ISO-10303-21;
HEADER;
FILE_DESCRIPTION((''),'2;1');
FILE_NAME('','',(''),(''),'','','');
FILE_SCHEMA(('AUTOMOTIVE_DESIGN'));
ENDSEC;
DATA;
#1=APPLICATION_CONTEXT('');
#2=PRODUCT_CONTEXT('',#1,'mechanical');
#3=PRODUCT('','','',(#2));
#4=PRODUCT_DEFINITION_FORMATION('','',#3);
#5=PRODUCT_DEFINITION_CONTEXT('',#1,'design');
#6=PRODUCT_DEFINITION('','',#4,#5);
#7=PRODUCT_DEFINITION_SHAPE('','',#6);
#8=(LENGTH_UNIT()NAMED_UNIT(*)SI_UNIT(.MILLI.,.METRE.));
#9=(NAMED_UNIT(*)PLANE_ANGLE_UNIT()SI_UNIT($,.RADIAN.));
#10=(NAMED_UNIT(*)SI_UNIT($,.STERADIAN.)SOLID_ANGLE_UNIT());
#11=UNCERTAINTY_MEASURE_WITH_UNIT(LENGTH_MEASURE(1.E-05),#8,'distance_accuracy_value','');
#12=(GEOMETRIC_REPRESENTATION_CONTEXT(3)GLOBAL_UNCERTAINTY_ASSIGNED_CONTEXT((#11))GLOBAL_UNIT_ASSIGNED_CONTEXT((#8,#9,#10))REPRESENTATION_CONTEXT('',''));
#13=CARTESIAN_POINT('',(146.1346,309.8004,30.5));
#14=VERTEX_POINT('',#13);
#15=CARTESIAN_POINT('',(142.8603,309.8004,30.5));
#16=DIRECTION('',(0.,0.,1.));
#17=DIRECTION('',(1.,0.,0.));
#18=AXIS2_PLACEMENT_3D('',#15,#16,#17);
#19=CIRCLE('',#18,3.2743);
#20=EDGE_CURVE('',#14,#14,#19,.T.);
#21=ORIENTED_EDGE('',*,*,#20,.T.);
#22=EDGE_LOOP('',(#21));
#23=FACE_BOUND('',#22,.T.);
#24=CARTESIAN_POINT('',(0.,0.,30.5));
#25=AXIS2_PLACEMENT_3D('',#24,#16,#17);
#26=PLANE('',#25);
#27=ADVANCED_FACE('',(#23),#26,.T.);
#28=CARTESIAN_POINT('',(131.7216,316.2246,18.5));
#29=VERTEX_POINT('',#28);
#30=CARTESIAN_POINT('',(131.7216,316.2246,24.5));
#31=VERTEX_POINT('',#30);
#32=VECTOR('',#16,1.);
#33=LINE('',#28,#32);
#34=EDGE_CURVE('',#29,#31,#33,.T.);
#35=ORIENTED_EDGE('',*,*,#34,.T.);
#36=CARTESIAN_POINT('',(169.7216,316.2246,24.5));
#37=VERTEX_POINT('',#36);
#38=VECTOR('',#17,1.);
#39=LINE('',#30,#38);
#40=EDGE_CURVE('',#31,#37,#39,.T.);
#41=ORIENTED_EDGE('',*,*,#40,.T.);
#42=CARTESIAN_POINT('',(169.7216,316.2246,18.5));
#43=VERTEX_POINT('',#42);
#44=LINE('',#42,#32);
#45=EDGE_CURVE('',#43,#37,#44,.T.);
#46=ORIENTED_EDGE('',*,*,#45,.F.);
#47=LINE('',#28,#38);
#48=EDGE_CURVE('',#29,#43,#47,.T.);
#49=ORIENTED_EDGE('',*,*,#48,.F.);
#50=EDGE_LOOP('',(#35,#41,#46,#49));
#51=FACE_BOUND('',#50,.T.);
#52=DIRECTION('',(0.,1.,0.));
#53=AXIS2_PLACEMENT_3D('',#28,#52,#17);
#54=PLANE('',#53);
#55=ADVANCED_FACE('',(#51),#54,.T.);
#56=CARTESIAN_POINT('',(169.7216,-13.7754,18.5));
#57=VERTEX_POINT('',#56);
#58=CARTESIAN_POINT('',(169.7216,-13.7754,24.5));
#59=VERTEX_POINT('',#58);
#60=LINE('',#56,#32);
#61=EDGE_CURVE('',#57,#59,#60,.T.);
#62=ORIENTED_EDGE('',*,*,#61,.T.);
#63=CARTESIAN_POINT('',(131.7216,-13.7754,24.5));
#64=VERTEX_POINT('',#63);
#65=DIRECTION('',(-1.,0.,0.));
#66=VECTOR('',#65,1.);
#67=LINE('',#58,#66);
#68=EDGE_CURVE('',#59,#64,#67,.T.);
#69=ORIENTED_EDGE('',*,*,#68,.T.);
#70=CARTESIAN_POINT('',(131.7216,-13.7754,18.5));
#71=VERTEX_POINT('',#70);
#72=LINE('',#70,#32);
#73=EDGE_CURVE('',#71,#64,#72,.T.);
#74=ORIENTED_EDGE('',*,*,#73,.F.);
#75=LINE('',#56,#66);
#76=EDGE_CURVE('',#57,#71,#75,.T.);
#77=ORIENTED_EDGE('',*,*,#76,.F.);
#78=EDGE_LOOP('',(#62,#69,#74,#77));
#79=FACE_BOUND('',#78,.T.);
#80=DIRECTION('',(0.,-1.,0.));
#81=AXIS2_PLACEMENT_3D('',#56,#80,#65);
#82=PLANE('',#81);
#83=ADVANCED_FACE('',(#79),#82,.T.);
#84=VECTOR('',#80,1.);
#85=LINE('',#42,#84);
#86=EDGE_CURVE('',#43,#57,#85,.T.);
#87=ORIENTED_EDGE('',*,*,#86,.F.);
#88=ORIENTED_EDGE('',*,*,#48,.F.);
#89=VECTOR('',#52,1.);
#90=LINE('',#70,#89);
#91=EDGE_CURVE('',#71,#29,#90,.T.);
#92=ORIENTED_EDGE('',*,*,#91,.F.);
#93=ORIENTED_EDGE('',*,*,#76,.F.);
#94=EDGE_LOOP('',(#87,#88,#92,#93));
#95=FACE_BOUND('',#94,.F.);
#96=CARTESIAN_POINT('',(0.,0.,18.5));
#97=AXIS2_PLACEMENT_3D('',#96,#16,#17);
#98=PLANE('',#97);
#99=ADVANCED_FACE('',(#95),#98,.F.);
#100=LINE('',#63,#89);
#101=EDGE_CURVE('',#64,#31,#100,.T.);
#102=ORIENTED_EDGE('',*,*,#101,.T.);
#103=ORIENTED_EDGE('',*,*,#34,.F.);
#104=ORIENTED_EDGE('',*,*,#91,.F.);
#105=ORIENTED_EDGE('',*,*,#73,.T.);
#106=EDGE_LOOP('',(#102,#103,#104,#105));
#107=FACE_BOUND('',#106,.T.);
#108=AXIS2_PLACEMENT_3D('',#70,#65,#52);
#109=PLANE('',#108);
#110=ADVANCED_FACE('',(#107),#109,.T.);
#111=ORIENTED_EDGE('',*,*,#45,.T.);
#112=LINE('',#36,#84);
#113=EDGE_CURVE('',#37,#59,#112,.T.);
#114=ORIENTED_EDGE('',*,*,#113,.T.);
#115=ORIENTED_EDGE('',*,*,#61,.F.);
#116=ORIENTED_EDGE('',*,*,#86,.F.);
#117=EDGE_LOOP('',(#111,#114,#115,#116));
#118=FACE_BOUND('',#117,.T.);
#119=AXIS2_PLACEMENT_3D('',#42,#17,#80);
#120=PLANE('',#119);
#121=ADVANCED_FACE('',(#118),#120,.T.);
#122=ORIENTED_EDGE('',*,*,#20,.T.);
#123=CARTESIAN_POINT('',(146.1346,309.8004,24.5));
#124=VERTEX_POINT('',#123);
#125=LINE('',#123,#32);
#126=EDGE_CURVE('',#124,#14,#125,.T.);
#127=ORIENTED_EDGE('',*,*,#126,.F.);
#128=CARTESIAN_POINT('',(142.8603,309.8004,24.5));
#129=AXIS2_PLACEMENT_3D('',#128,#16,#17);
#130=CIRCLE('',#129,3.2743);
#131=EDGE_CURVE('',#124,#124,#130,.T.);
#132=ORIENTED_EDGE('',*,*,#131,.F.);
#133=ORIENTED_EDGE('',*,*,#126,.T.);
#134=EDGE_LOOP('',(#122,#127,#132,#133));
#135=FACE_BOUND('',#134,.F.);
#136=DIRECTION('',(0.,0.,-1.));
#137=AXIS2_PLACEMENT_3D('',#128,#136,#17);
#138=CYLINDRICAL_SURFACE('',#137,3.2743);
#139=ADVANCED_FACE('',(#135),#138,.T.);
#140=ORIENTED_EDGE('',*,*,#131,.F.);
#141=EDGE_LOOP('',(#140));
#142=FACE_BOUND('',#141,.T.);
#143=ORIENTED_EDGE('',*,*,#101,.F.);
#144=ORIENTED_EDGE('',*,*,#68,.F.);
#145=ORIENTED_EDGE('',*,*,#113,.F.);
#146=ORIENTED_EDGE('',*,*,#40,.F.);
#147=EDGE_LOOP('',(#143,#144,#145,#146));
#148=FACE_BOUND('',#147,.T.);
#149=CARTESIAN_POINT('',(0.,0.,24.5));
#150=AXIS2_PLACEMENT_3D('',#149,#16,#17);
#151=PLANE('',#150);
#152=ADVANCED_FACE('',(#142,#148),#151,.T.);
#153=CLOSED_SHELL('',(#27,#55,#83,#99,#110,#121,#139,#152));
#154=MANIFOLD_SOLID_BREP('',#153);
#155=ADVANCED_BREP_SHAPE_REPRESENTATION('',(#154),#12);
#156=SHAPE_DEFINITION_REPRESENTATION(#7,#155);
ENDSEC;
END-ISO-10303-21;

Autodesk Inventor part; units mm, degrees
ref_plane "YZ Plane" through (0, 0, 0) normal (1, 0, 0) x (0, 1, 0)
ref_plane "XZ Plane" through (0, 0, 0) normal (0, 1, 0) x (-1, 0, 0)
ref_plane "Work Plane1" through (0, 0, 18.5) normal (0, 0, 1) x (1, 0, 0)
sketch "Sketch1" plane through (0, 0, 18.5) normal (0, 0, 1) x (1, 0, 0)
  line L0 (131.7216, 316.2246) -> (169.7216, 316.2246)
  line L1 (169.7216, 316.2246) -> (169.7216, -13.7754)
  line L2 (169.7216, -13.7754) -> (131.7216, -13.7754)
  line L3 (131.7216, -13.7754) -> (131.7216, 316.2246)
  point P0 (0, 0)
  dimension "d1" = 330
  dimension "d4" = 38
extrude "Extrusion1" add sketch "Sketch1" along normal blind 6
sketch "Sketch2" plane through (0, 0, 24.5) normal (0, 0, 1) x (1, 0, 0)
  circle A0 centre (142.8603, 309.8004) radius 3.2743
  point P0 (0, 0)
extrude "Extrusion2" add sketch "Sketch2" along normal blind 6
properties part number "sideframe"
